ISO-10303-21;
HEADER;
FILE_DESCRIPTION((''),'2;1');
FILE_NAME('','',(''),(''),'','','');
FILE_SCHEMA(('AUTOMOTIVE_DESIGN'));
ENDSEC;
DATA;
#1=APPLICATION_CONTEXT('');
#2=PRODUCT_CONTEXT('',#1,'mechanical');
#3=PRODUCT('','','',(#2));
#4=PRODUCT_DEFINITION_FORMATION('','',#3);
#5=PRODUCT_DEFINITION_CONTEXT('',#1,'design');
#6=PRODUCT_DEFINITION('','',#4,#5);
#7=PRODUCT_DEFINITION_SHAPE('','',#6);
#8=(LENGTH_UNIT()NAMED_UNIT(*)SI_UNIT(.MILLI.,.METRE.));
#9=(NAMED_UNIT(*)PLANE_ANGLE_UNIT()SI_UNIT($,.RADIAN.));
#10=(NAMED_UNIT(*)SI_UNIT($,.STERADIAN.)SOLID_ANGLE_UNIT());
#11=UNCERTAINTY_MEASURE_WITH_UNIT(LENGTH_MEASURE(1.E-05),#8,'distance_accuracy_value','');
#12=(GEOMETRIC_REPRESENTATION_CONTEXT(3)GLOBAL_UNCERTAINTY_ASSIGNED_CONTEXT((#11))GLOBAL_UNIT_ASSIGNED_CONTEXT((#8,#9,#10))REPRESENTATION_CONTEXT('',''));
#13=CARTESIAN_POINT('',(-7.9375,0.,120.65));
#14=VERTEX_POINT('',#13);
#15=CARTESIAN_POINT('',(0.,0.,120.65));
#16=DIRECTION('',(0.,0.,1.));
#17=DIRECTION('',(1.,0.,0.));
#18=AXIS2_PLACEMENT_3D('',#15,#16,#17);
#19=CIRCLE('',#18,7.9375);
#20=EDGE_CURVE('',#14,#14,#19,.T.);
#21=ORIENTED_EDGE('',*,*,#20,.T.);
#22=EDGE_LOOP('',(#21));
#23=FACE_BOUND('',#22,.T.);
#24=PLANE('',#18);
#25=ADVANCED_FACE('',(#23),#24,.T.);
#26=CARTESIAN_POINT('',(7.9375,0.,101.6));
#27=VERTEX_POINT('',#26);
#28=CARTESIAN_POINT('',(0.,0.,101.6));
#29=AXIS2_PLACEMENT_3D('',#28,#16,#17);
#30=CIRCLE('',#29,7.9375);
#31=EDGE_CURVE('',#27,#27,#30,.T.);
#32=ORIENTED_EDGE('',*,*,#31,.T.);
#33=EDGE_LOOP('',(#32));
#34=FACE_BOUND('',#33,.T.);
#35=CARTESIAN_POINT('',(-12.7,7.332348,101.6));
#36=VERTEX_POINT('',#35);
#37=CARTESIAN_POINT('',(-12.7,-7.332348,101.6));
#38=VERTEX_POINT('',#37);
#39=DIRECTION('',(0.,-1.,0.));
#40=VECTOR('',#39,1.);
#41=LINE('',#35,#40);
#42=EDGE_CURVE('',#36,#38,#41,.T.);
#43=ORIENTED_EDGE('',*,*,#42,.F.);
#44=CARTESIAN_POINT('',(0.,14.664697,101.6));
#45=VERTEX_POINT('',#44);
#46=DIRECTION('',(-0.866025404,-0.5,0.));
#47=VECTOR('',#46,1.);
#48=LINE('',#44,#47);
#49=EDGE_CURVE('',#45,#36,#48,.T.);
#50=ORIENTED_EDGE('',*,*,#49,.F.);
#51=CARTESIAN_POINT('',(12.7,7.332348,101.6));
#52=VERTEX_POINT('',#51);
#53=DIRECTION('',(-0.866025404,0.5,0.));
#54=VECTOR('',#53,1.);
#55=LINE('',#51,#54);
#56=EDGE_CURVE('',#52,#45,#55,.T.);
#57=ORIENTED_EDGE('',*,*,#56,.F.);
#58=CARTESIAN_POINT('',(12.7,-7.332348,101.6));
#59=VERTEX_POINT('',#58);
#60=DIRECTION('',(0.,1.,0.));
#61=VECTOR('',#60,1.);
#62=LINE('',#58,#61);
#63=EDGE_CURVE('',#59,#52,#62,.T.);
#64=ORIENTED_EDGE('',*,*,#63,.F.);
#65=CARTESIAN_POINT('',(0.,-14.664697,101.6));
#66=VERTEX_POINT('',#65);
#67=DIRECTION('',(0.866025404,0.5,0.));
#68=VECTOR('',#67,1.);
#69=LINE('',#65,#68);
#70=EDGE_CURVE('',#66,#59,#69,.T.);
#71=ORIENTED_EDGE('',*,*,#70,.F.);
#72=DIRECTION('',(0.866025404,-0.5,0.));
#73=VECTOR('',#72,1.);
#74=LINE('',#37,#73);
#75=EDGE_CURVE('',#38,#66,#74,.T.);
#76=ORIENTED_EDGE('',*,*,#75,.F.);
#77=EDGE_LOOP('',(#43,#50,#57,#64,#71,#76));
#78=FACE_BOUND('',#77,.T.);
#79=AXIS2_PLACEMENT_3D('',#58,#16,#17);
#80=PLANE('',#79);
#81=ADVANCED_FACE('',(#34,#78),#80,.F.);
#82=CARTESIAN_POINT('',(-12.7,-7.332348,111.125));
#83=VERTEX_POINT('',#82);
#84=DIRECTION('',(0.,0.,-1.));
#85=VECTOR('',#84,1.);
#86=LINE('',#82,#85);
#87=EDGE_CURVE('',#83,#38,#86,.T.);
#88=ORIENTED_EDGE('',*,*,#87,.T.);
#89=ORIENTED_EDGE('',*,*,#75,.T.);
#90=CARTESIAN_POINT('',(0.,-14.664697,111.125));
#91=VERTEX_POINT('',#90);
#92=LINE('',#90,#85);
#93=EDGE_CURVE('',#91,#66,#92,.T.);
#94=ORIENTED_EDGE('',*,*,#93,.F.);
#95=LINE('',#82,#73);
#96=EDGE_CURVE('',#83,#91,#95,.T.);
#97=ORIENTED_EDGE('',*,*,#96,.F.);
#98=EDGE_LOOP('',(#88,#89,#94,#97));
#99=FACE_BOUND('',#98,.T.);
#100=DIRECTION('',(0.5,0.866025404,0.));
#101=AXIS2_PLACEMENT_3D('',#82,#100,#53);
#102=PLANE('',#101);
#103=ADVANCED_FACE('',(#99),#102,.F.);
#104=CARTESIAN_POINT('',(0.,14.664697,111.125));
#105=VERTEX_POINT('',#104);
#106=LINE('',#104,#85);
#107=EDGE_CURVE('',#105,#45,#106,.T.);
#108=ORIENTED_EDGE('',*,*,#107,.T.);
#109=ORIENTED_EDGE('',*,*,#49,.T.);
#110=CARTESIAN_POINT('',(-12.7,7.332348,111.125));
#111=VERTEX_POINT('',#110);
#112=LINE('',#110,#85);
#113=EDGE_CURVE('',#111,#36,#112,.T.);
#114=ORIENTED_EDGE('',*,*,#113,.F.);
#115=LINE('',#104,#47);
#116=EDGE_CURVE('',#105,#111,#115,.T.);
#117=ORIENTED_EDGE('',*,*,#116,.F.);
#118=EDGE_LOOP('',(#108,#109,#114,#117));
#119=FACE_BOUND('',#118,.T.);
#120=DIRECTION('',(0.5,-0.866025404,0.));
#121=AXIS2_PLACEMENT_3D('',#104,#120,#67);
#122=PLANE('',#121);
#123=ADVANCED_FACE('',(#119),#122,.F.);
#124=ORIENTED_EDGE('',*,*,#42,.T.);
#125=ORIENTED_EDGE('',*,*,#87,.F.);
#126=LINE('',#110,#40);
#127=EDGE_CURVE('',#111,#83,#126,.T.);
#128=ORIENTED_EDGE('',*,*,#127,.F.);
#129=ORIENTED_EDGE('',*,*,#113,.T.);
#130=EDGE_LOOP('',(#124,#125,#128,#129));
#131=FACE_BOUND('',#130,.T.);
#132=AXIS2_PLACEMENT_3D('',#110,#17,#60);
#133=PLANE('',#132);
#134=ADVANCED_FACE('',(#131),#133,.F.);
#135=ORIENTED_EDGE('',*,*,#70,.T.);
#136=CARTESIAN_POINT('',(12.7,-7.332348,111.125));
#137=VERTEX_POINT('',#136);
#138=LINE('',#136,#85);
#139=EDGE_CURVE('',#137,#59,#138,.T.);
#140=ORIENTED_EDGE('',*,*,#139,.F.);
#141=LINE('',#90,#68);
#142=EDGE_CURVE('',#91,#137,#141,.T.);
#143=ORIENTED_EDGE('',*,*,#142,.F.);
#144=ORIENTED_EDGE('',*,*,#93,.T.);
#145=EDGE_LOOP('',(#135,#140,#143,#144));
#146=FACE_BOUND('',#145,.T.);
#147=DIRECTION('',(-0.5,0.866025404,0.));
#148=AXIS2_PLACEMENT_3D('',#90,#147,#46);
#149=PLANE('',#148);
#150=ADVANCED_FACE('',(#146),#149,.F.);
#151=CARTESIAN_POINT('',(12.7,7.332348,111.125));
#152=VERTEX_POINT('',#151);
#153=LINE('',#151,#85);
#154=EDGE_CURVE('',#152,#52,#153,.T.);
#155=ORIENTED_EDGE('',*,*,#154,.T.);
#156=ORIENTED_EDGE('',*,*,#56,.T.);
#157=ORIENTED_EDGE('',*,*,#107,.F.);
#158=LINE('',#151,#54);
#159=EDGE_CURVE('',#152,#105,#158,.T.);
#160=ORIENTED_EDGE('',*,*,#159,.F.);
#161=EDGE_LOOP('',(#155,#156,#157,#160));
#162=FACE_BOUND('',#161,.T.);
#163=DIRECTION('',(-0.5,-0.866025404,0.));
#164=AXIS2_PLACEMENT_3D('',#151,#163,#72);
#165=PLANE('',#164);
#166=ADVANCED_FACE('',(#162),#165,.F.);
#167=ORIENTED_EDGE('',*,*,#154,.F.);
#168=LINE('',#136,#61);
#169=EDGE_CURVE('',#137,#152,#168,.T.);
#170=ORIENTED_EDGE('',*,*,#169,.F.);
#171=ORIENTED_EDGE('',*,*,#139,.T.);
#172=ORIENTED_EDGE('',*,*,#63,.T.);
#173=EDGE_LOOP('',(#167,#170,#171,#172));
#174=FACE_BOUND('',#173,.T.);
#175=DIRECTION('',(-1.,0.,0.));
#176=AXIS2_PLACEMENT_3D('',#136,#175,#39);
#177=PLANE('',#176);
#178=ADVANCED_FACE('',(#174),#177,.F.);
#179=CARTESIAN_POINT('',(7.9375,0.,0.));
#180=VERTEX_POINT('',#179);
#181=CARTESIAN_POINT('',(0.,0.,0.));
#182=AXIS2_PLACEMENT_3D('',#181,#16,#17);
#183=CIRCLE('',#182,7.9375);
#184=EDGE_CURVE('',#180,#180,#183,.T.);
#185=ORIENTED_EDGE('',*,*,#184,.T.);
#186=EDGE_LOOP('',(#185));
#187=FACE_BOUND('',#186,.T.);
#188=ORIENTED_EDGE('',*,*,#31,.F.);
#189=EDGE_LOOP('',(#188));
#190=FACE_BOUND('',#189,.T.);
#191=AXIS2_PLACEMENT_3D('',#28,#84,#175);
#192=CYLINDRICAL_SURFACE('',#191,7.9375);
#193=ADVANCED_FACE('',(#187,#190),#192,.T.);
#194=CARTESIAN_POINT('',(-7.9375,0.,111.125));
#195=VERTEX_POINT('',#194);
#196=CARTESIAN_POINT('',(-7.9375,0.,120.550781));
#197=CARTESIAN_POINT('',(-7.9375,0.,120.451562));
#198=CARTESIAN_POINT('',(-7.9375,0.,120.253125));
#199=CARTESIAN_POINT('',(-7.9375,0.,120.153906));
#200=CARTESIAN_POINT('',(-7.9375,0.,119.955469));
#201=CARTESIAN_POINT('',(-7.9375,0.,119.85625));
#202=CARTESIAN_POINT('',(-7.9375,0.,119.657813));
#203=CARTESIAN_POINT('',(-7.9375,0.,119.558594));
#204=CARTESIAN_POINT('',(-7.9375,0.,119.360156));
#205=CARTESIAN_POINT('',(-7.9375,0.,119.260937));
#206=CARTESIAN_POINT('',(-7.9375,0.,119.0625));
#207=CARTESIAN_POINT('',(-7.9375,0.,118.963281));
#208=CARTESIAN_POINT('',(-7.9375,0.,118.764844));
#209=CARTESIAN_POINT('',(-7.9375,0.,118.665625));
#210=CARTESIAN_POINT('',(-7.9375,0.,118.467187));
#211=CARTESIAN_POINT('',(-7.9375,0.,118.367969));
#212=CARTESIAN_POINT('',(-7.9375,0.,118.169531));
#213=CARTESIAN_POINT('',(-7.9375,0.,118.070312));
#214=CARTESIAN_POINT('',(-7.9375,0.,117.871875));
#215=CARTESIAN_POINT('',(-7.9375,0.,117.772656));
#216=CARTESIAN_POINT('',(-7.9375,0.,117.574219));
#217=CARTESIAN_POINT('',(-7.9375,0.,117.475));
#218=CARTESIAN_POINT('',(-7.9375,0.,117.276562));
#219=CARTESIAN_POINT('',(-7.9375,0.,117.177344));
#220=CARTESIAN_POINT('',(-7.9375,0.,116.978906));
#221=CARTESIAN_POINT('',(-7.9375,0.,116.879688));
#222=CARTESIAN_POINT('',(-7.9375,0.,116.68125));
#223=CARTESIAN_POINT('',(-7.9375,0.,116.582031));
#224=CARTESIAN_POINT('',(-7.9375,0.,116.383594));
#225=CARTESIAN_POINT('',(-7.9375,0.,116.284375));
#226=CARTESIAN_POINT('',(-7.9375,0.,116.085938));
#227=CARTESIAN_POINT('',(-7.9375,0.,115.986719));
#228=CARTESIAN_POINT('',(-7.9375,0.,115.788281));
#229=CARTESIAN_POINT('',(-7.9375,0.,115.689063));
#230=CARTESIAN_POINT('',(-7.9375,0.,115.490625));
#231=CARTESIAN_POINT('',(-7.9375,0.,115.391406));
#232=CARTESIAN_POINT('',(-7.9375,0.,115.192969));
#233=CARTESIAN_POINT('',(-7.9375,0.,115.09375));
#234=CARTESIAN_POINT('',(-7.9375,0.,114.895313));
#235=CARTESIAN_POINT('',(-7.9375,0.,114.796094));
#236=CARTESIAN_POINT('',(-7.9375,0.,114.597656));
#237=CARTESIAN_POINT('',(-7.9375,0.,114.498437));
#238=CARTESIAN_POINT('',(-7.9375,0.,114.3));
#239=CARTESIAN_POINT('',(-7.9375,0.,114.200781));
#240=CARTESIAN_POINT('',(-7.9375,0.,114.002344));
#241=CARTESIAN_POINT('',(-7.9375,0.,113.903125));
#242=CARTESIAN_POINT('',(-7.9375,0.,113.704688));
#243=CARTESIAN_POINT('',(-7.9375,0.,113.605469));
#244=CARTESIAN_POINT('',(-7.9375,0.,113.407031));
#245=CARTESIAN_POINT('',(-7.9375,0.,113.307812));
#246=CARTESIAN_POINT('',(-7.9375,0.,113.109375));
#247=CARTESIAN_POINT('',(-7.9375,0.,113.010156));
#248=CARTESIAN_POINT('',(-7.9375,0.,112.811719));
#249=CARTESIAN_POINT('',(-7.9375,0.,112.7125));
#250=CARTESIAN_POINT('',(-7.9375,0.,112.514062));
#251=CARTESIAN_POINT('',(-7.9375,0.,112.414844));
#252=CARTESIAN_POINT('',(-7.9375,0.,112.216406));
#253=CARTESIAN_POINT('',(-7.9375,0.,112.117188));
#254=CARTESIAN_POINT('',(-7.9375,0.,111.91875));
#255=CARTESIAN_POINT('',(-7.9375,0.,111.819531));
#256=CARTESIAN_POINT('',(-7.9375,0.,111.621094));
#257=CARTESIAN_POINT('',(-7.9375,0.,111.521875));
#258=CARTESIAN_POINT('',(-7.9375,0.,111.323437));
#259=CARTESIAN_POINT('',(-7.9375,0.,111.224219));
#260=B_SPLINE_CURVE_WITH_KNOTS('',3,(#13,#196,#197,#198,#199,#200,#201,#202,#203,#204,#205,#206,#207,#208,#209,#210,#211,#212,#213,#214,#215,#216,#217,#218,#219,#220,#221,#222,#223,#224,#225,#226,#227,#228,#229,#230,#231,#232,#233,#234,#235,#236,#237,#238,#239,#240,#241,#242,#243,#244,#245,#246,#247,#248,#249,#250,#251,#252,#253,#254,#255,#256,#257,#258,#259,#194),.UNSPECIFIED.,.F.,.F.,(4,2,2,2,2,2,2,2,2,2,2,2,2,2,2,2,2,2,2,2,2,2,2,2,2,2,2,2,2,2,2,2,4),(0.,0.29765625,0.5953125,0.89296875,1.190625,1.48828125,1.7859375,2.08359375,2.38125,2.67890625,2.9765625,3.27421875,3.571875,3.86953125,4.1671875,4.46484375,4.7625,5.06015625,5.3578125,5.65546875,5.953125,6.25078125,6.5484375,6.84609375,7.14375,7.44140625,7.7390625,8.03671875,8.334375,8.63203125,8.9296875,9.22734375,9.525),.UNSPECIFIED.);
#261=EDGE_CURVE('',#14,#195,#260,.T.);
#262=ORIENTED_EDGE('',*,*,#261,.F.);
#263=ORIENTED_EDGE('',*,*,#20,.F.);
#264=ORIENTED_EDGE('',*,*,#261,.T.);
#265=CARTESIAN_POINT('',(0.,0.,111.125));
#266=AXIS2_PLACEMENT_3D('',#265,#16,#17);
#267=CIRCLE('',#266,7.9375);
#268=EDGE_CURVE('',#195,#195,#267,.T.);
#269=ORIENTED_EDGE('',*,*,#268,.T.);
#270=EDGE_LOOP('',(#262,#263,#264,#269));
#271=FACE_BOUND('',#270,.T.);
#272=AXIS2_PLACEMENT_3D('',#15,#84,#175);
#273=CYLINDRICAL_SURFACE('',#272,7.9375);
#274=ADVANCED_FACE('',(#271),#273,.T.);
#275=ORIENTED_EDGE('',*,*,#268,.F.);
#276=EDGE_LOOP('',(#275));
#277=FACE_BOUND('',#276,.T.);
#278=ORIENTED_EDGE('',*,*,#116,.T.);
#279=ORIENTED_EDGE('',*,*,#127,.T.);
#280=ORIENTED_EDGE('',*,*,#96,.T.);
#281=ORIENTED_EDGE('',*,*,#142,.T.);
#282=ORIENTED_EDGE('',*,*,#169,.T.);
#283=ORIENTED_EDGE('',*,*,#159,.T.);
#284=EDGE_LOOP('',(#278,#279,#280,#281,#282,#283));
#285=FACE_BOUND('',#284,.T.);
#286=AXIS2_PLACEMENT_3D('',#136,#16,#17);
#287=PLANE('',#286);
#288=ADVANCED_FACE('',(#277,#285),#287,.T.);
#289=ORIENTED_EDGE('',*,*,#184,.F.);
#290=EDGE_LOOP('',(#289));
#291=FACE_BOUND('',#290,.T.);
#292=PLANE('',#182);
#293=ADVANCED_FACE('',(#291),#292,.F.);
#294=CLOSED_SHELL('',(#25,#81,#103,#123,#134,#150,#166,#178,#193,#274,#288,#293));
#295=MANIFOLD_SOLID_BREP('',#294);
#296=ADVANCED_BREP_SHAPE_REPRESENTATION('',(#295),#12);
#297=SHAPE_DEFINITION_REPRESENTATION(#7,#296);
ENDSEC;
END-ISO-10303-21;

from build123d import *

# Parameters (mm, degrees)
SKETCH1_R           = 7.9375
BASE_EXTRUDE_DEPTH  = 101.6
BOSS_EXTRUDE1_DEPTH = 9.525
SKETCH3_R           = 7.9375
BOSS_EXTRUDE2_DEPTH = 9.525


with BuildPart() as part:
    # Sketch1 → Base-Extrude (new body)
    with BuildSketch(Plane.XY):
        Circle(SKETCH1_R)
    extrude(amount=BASE_EXTRUDE_DEPTH)

    # Sketch2 → Boss-Extrude1 (add)
    with BuildSketch(Plane.XY.offset(101.6)):
        Polygon((12.7, -7.332348419), (12.7, 7.332348419), (0, 14.664696837), (-12.7, 7.332348419), (-12.7, -7.332348419), (0, -14.664696837), align=None)
    extrude(amount=BOSS_EXTRUDE1_DEPTH)

    # Sketch3 → Boss-Extrude2 (add)
    with BuildSketch(Plane.XY.offset(111.125)):
        Circle(SKETCH3_R)
    extrude(amount=BOSS_EXTRUDE2_DEPTH)


solid = part.part
